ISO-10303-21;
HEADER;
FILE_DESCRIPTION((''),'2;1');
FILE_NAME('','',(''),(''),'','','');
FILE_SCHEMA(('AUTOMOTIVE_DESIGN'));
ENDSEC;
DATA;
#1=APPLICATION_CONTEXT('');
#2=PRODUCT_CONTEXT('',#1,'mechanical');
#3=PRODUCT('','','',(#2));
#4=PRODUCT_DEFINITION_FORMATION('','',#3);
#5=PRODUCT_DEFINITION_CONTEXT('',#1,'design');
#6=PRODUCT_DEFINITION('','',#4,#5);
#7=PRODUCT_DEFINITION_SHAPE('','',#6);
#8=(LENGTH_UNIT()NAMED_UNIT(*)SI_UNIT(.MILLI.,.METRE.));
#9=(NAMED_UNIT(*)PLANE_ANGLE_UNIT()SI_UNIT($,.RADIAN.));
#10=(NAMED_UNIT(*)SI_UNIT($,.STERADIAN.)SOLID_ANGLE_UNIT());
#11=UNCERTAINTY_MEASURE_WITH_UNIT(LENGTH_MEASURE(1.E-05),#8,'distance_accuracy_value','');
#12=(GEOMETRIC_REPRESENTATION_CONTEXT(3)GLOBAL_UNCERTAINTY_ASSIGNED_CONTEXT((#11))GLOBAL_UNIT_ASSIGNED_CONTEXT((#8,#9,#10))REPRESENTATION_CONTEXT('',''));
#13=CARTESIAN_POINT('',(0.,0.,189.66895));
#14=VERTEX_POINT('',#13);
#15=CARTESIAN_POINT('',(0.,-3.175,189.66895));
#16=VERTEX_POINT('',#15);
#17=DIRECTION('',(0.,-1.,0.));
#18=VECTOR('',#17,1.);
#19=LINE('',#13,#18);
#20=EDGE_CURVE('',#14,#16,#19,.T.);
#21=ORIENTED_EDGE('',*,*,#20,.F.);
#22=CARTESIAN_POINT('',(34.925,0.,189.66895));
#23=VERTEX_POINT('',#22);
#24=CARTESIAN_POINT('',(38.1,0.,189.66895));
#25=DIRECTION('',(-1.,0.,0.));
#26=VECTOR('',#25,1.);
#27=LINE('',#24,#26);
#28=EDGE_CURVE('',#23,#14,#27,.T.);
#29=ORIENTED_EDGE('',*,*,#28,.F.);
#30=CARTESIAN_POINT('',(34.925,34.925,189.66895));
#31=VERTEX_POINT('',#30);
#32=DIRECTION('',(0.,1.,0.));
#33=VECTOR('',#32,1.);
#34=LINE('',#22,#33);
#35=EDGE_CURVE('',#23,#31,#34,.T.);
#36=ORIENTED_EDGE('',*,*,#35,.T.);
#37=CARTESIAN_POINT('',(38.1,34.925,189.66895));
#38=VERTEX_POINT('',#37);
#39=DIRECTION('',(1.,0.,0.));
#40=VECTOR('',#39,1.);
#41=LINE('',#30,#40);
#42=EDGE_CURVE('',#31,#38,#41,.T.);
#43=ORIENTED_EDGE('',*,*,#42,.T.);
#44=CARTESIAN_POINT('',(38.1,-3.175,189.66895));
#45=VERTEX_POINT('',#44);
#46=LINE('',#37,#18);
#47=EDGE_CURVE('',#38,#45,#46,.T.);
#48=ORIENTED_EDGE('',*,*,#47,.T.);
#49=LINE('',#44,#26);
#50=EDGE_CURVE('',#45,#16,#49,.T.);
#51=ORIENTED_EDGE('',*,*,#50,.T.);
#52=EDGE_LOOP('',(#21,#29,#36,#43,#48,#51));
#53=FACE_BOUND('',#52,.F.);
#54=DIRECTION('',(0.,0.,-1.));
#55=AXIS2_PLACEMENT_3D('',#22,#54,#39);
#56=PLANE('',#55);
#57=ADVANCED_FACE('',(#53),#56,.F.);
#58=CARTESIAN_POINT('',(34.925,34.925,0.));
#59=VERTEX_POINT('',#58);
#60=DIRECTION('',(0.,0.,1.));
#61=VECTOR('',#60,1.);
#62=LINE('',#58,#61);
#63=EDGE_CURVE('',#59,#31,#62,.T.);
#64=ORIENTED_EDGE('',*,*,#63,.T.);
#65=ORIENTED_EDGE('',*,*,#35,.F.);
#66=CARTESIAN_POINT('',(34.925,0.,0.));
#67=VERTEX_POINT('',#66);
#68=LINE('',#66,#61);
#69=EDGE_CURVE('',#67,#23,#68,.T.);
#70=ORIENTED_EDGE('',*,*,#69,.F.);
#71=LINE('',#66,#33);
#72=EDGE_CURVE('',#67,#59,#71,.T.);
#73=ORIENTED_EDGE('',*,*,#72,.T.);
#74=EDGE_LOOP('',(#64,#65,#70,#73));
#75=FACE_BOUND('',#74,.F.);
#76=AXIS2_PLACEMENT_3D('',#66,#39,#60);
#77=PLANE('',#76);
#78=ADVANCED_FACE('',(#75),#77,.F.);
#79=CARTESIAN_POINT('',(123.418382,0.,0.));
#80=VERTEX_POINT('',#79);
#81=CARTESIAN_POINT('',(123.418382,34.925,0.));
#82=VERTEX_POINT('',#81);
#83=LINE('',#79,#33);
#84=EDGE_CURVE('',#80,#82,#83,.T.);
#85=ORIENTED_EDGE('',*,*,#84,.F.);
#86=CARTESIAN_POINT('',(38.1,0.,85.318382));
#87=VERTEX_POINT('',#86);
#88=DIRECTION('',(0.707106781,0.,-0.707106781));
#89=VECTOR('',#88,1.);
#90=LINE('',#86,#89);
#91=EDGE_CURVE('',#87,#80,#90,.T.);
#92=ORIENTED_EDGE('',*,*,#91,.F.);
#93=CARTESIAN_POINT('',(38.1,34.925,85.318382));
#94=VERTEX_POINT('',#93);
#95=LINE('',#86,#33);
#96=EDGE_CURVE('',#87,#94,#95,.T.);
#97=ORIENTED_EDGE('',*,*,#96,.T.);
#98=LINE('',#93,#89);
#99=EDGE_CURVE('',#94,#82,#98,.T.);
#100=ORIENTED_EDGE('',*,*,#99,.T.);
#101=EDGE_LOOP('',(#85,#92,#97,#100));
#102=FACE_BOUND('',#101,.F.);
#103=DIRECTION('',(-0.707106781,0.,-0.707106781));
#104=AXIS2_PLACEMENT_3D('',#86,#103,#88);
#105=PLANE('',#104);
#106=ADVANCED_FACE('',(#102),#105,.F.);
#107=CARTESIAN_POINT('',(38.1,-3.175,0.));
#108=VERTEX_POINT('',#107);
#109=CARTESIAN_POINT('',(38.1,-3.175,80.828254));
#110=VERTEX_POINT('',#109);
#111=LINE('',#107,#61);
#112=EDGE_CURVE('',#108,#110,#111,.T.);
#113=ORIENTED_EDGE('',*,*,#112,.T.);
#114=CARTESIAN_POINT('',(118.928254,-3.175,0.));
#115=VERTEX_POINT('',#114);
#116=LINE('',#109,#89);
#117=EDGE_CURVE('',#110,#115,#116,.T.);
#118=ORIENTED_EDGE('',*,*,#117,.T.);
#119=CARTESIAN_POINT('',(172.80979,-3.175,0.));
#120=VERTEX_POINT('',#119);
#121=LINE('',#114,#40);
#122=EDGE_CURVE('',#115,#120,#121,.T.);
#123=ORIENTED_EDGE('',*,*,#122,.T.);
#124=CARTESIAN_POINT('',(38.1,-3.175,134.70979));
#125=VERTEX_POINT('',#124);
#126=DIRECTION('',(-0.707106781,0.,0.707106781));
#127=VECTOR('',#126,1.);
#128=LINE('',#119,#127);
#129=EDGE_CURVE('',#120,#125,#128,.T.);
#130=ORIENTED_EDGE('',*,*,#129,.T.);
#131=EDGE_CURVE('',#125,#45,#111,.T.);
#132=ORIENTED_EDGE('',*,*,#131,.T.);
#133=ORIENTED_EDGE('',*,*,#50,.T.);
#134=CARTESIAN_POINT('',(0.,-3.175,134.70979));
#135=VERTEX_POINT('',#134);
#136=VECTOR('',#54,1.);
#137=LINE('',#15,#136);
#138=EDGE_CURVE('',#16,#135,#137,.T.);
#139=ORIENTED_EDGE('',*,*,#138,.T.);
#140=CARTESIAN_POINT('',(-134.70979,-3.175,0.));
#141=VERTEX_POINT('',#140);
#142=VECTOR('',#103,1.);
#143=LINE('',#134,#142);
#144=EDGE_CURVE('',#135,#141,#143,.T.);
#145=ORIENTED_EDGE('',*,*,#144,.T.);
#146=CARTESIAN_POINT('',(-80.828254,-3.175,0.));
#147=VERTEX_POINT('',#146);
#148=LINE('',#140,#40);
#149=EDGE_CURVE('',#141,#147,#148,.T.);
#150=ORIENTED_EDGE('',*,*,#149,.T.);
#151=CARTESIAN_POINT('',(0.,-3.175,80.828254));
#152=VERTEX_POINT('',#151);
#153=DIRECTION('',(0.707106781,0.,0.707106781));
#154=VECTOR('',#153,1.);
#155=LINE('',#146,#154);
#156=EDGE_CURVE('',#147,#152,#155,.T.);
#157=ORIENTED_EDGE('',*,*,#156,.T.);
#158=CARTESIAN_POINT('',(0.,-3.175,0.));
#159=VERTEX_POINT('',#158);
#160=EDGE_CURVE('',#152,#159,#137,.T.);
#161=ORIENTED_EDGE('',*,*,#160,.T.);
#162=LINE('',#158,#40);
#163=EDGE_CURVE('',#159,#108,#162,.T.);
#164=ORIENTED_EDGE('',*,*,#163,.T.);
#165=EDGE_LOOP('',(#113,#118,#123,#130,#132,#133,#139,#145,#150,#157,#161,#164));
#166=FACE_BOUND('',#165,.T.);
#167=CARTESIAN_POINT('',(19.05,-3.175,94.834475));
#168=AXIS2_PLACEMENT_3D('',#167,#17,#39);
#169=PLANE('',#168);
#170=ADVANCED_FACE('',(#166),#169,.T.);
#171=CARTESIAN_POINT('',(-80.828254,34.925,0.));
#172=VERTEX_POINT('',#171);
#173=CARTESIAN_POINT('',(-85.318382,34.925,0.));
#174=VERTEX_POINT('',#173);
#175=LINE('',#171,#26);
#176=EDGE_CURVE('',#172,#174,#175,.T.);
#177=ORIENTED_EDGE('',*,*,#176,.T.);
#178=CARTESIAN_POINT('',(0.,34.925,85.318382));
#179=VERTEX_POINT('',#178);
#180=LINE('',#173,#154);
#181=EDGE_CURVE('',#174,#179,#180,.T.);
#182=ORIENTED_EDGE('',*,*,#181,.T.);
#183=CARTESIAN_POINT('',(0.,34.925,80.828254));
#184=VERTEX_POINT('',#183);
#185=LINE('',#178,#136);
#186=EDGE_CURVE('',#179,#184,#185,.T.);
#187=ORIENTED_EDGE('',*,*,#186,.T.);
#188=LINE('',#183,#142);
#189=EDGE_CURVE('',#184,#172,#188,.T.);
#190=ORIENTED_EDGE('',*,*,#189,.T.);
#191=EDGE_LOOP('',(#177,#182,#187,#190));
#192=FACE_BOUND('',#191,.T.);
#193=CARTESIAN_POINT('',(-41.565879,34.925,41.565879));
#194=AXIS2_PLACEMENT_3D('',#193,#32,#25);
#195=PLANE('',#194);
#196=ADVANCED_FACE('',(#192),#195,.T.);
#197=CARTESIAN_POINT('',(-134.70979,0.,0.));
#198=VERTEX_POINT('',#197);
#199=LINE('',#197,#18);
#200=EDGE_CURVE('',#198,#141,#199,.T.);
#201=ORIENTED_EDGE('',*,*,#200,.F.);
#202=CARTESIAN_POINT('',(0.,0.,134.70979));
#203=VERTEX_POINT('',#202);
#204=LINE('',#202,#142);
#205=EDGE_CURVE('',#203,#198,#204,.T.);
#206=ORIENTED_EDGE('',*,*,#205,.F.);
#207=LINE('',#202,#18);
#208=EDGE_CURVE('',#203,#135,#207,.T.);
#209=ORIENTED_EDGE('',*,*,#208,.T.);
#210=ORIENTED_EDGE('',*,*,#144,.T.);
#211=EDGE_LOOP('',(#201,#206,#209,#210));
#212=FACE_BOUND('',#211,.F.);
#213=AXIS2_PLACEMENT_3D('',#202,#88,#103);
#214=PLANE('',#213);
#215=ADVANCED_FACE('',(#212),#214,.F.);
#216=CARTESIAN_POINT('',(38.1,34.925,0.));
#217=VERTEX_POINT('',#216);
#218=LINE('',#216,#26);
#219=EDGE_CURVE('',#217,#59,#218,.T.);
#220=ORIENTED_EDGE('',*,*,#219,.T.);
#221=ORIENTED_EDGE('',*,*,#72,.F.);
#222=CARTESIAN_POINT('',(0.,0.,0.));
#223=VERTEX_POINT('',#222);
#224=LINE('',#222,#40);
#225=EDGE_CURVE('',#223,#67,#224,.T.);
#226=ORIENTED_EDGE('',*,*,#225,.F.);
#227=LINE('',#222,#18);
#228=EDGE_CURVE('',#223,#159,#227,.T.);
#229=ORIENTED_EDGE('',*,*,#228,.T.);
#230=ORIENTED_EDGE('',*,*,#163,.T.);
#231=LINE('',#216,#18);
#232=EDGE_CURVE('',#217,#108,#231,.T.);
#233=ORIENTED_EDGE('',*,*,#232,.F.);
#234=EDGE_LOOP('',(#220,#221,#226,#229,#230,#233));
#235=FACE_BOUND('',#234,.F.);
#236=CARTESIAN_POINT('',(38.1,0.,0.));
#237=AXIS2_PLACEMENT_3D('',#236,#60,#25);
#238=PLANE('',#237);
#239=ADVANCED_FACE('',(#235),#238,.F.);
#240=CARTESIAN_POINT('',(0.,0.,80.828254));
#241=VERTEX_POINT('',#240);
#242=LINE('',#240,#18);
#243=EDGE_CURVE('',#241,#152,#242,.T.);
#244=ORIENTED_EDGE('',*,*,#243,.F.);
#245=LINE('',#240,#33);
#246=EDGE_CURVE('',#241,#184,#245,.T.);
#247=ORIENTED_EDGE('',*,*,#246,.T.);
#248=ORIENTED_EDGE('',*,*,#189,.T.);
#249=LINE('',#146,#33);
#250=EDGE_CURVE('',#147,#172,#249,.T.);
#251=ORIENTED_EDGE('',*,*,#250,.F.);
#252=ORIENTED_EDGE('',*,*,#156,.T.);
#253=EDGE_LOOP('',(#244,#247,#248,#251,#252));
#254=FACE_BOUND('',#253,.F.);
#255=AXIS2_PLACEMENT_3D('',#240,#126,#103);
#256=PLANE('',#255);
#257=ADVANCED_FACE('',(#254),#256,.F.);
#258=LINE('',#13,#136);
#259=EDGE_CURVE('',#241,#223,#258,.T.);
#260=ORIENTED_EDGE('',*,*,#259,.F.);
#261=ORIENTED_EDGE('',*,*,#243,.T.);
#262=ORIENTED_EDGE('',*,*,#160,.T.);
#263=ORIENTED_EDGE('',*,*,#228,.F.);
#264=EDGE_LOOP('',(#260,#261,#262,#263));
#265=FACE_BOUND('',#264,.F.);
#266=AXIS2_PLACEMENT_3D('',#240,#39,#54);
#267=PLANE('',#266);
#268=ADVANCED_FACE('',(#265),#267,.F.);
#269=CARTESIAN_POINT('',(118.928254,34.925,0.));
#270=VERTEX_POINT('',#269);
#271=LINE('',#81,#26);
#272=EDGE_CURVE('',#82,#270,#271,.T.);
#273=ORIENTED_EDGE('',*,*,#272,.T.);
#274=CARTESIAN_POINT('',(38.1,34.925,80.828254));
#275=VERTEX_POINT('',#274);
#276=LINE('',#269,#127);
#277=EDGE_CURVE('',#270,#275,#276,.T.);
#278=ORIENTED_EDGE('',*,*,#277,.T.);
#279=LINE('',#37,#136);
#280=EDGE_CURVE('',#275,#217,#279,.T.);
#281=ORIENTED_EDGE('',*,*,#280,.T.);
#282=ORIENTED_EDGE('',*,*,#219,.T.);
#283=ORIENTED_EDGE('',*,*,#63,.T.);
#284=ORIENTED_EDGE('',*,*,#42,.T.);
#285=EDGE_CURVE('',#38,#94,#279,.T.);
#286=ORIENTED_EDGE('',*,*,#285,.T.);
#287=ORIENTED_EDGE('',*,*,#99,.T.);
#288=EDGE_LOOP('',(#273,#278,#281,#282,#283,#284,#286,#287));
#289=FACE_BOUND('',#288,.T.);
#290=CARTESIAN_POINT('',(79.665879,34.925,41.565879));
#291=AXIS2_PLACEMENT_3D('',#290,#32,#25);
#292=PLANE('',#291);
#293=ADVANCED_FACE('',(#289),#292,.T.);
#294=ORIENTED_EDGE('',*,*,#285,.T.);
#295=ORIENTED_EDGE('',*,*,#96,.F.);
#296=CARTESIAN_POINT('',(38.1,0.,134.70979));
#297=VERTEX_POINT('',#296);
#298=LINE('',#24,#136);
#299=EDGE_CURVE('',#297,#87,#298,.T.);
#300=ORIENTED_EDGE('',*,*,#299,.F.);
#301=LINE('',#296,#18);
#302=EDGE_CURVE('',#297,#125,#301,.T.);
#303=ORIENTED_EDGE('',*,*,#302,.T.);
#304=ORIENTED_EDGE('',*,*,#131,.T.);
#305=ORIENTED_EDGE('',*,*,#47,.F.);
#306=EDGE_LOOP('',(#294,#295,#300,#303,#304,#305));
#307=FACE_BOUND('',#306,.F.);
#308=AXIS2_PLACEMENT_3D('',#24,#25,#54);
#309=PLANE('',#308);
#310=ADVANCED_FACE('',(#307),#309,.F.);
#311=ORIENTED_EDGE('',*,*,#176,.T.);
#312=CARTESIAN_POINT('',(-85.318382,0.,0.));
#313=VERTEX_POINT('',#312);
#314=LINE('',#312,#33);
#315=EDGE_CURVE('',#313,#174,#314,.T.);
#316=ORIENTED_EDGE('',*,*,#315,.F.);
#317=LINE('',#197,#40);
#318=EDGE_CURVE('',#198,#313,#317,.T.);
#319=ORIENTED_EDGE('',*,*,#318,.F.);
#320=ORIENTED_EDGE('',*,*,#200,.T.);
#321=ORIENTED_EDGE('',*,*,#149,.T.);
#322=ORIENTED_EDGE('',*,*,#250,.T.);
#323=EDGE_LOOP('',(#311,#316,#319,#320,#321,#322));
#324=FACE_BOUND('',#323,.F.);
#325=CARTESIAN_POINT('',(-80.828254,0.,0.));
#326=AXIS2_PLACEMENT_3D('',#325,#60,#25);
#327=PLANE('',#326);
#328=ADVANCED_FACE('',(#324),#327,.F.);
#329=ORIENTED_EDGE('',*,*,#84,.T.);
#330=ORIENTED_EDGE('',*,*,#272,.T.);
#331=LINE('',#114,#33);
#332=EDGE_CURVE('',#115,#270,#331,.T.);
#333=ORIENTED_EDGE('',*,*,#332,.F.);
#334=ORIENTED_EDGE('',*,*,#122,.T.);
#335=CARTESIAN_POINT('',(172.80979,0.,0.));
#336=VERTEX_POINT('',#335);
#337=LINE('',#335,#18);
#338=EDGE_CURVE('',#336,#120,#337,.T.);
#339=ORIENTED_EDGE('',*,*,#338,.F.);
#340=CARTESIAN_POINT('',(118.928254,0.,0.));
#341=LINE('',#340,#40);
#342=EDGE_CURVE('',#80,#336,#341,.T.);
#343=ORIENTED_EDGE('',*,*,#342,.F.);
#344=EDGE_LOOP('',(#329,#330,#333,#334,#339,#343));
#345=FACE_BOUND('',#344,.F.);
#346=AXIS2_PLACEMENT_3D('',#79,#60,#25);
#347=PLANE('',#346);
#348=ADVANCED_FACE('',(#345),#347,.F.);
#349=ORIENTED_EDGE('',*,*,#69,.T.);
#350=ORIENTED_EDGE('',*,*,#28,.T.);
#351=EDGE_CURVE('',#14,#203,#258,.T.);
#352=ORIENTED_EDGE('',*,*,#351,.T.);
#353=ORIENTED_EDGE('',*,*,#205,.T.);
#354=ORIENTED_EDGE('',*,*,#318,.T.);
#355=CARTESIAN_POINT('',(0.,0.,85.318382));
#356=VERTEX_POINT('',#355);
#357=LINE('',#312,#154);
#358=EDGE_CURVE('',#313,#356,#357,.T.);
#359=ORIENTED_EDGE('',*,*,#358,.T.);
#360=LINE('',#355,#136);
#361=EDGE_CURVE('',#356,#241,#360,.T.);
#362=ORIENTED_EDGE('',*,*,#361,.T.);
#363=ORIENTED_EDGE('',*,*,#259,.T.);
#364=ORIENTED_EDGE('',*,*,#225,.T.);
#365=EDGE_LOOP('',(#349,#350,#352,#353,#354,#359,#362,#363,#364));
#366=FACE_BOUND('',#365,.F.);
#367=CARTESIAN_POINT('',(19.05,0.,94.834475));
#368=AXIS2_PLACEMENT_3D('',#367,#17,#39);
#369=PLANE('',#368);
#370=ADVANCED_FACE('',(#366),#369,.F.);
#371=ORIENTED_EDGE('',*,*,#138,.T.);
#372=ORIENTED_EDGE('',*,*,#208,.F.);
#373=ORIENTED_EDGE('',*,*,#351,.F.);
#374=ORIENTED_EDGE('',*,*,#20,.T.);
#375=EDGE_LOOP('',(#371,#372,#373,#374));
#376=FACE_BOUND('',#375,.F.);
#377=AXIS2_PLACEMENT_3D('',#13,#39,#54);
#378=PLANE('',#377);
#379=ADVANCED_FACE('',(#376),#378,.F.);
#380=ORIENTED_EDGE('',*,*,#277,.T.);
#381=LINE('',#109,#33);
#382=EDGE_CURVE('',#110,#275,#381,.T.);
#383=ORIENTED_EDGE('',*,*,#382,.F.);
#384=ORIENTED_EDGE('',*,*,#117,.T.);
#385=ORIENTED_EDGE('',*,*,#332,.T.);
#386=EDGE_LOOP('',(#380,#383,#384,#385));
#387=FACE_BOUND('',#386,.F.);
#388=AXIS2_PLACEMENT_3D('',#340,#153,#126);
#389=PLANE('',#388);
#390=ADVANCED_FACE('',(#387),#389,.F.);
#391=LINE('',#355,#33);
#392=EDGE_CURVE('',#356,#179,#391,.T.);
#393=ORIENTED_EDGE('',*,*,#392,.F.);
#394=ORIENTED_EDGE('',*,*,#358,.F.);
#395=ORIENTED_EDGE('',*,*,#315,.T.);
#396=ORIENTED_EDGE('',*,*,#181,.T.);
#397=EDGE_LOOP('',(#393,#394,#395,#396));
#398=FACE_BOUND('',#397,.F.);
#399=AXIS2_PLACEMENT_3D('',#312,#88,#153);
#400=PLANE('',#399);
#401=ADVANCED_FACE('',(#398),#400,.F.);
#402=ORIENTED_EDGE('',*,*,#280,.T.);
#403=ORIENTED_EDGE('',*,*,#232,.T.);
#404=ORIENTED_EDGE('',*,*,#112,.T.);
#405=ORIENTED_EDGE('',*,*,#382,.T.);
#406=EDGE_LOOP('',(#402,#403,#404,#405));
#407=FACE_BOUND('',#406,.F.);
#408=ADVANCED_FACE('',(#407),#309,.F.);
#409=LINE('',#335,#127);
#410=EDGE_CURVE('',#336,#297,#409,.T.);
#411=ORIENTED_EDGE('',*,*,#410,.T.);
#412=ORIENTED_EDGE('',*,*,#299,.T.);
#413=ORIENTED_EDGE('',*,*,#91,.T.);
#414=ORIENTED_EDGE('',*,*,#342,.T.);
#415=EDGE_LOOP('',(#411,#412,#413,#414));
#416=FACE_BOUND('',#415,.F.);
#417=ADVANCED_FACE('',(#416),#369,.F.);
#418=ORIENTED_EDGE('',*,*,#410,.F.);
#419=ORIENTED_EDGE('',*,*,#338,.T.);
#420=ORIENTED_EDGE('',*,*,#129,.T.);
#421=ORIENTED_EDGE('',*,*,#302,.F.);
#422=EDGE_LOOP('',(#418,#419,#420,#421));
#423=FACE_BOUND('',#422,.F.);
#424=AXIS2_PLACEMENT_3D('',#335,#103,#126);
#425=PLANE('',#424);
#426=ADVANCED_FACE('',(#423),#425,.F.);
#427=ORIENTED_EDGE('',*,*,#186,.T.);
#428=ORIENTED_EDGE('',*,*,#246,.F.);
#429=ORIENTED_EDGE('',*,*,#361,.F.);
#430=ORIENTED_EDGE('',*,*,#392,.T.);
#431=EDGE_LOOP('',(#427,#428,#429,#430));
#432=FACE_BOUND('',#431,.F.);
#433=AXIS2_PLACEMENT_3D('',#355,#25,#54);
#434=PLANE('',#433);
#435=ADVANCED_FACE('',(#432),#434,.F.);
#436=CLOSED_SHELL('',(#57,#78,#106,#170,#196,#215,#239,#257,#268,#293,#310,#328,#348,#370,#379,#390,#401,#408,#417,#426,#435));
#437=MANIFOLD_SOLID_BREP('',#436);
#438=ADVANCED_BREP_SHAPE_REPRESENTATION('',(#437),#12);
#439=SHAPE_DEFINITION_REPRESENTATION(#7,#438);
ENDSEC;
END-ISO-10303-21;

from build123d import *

# Parameters (mm, degrees)
F1_DEPTH = 3.175
F3_DEPTH = 34.925
F5_DEPTH = 34.925
F7_DEPTH = 34.925


with BuildPart() as f1:
    # F0 (on Front) → F1 (new body)
    with BuildSketch(Plane.XZ):
        Polygon((0, 80.828254), (0, 0), (38.1, 0), (38.1, 80.828254), (38.1, 134.70979), (38.1, 189.66895), (0, 189.66895), (0, 134.70979), align=None)
        Polygon((-80.828254, 0), (0, 80.828254), (0, 134.70979), (-134.70979, 0), align=None)
        Polygon((38.1, 134.70979), (38.1, 80.828254), (118.928254, 0), (172.80979, 0), align=None)
    extrude(amount=F1_DEPTH)

    # F2 (on face) → F3 (join)
    with BuildSketch(Plane(origin=(0, 0, 0), x_dir=(-1, 0, 0), z_dir=(0, 1, 0))):
        Polygon((-38.1, 80.828254), (-38.1, 0), (-34.925, 0), (-34.925, 189.66895), (-38.1, 189.66895), (-38.1, 134.70979), align=None)
    extrude(amount=F3_DEPTH)

    # F4 (on face) → F5 (join)
    with BuildSketch(Plane(origin=(0, 0, 0), x_dir=(-1, 0, 0), z_dir=(0, 1, 0))):
        Polygon((-123.418382, 0), (-118.928254, 0), (-38.1, 80.828254), (-38.1, 85.318382), align=None)
    extrude(amount=F5_DEPTH)

    # F6 (on face) → F7 (join)
    with BuildSketch(Plane(origin=(0, 0, 0), x_dir=(-1, 0, 0), z_dir=(0, 1, 0))):
        Polygon((0, 80.828254), (80.828254, 0), (85.318382, 0), (0, 85.318382), align=None)
    extrude(amount=F7_DEPTH)


solid = f1.part
